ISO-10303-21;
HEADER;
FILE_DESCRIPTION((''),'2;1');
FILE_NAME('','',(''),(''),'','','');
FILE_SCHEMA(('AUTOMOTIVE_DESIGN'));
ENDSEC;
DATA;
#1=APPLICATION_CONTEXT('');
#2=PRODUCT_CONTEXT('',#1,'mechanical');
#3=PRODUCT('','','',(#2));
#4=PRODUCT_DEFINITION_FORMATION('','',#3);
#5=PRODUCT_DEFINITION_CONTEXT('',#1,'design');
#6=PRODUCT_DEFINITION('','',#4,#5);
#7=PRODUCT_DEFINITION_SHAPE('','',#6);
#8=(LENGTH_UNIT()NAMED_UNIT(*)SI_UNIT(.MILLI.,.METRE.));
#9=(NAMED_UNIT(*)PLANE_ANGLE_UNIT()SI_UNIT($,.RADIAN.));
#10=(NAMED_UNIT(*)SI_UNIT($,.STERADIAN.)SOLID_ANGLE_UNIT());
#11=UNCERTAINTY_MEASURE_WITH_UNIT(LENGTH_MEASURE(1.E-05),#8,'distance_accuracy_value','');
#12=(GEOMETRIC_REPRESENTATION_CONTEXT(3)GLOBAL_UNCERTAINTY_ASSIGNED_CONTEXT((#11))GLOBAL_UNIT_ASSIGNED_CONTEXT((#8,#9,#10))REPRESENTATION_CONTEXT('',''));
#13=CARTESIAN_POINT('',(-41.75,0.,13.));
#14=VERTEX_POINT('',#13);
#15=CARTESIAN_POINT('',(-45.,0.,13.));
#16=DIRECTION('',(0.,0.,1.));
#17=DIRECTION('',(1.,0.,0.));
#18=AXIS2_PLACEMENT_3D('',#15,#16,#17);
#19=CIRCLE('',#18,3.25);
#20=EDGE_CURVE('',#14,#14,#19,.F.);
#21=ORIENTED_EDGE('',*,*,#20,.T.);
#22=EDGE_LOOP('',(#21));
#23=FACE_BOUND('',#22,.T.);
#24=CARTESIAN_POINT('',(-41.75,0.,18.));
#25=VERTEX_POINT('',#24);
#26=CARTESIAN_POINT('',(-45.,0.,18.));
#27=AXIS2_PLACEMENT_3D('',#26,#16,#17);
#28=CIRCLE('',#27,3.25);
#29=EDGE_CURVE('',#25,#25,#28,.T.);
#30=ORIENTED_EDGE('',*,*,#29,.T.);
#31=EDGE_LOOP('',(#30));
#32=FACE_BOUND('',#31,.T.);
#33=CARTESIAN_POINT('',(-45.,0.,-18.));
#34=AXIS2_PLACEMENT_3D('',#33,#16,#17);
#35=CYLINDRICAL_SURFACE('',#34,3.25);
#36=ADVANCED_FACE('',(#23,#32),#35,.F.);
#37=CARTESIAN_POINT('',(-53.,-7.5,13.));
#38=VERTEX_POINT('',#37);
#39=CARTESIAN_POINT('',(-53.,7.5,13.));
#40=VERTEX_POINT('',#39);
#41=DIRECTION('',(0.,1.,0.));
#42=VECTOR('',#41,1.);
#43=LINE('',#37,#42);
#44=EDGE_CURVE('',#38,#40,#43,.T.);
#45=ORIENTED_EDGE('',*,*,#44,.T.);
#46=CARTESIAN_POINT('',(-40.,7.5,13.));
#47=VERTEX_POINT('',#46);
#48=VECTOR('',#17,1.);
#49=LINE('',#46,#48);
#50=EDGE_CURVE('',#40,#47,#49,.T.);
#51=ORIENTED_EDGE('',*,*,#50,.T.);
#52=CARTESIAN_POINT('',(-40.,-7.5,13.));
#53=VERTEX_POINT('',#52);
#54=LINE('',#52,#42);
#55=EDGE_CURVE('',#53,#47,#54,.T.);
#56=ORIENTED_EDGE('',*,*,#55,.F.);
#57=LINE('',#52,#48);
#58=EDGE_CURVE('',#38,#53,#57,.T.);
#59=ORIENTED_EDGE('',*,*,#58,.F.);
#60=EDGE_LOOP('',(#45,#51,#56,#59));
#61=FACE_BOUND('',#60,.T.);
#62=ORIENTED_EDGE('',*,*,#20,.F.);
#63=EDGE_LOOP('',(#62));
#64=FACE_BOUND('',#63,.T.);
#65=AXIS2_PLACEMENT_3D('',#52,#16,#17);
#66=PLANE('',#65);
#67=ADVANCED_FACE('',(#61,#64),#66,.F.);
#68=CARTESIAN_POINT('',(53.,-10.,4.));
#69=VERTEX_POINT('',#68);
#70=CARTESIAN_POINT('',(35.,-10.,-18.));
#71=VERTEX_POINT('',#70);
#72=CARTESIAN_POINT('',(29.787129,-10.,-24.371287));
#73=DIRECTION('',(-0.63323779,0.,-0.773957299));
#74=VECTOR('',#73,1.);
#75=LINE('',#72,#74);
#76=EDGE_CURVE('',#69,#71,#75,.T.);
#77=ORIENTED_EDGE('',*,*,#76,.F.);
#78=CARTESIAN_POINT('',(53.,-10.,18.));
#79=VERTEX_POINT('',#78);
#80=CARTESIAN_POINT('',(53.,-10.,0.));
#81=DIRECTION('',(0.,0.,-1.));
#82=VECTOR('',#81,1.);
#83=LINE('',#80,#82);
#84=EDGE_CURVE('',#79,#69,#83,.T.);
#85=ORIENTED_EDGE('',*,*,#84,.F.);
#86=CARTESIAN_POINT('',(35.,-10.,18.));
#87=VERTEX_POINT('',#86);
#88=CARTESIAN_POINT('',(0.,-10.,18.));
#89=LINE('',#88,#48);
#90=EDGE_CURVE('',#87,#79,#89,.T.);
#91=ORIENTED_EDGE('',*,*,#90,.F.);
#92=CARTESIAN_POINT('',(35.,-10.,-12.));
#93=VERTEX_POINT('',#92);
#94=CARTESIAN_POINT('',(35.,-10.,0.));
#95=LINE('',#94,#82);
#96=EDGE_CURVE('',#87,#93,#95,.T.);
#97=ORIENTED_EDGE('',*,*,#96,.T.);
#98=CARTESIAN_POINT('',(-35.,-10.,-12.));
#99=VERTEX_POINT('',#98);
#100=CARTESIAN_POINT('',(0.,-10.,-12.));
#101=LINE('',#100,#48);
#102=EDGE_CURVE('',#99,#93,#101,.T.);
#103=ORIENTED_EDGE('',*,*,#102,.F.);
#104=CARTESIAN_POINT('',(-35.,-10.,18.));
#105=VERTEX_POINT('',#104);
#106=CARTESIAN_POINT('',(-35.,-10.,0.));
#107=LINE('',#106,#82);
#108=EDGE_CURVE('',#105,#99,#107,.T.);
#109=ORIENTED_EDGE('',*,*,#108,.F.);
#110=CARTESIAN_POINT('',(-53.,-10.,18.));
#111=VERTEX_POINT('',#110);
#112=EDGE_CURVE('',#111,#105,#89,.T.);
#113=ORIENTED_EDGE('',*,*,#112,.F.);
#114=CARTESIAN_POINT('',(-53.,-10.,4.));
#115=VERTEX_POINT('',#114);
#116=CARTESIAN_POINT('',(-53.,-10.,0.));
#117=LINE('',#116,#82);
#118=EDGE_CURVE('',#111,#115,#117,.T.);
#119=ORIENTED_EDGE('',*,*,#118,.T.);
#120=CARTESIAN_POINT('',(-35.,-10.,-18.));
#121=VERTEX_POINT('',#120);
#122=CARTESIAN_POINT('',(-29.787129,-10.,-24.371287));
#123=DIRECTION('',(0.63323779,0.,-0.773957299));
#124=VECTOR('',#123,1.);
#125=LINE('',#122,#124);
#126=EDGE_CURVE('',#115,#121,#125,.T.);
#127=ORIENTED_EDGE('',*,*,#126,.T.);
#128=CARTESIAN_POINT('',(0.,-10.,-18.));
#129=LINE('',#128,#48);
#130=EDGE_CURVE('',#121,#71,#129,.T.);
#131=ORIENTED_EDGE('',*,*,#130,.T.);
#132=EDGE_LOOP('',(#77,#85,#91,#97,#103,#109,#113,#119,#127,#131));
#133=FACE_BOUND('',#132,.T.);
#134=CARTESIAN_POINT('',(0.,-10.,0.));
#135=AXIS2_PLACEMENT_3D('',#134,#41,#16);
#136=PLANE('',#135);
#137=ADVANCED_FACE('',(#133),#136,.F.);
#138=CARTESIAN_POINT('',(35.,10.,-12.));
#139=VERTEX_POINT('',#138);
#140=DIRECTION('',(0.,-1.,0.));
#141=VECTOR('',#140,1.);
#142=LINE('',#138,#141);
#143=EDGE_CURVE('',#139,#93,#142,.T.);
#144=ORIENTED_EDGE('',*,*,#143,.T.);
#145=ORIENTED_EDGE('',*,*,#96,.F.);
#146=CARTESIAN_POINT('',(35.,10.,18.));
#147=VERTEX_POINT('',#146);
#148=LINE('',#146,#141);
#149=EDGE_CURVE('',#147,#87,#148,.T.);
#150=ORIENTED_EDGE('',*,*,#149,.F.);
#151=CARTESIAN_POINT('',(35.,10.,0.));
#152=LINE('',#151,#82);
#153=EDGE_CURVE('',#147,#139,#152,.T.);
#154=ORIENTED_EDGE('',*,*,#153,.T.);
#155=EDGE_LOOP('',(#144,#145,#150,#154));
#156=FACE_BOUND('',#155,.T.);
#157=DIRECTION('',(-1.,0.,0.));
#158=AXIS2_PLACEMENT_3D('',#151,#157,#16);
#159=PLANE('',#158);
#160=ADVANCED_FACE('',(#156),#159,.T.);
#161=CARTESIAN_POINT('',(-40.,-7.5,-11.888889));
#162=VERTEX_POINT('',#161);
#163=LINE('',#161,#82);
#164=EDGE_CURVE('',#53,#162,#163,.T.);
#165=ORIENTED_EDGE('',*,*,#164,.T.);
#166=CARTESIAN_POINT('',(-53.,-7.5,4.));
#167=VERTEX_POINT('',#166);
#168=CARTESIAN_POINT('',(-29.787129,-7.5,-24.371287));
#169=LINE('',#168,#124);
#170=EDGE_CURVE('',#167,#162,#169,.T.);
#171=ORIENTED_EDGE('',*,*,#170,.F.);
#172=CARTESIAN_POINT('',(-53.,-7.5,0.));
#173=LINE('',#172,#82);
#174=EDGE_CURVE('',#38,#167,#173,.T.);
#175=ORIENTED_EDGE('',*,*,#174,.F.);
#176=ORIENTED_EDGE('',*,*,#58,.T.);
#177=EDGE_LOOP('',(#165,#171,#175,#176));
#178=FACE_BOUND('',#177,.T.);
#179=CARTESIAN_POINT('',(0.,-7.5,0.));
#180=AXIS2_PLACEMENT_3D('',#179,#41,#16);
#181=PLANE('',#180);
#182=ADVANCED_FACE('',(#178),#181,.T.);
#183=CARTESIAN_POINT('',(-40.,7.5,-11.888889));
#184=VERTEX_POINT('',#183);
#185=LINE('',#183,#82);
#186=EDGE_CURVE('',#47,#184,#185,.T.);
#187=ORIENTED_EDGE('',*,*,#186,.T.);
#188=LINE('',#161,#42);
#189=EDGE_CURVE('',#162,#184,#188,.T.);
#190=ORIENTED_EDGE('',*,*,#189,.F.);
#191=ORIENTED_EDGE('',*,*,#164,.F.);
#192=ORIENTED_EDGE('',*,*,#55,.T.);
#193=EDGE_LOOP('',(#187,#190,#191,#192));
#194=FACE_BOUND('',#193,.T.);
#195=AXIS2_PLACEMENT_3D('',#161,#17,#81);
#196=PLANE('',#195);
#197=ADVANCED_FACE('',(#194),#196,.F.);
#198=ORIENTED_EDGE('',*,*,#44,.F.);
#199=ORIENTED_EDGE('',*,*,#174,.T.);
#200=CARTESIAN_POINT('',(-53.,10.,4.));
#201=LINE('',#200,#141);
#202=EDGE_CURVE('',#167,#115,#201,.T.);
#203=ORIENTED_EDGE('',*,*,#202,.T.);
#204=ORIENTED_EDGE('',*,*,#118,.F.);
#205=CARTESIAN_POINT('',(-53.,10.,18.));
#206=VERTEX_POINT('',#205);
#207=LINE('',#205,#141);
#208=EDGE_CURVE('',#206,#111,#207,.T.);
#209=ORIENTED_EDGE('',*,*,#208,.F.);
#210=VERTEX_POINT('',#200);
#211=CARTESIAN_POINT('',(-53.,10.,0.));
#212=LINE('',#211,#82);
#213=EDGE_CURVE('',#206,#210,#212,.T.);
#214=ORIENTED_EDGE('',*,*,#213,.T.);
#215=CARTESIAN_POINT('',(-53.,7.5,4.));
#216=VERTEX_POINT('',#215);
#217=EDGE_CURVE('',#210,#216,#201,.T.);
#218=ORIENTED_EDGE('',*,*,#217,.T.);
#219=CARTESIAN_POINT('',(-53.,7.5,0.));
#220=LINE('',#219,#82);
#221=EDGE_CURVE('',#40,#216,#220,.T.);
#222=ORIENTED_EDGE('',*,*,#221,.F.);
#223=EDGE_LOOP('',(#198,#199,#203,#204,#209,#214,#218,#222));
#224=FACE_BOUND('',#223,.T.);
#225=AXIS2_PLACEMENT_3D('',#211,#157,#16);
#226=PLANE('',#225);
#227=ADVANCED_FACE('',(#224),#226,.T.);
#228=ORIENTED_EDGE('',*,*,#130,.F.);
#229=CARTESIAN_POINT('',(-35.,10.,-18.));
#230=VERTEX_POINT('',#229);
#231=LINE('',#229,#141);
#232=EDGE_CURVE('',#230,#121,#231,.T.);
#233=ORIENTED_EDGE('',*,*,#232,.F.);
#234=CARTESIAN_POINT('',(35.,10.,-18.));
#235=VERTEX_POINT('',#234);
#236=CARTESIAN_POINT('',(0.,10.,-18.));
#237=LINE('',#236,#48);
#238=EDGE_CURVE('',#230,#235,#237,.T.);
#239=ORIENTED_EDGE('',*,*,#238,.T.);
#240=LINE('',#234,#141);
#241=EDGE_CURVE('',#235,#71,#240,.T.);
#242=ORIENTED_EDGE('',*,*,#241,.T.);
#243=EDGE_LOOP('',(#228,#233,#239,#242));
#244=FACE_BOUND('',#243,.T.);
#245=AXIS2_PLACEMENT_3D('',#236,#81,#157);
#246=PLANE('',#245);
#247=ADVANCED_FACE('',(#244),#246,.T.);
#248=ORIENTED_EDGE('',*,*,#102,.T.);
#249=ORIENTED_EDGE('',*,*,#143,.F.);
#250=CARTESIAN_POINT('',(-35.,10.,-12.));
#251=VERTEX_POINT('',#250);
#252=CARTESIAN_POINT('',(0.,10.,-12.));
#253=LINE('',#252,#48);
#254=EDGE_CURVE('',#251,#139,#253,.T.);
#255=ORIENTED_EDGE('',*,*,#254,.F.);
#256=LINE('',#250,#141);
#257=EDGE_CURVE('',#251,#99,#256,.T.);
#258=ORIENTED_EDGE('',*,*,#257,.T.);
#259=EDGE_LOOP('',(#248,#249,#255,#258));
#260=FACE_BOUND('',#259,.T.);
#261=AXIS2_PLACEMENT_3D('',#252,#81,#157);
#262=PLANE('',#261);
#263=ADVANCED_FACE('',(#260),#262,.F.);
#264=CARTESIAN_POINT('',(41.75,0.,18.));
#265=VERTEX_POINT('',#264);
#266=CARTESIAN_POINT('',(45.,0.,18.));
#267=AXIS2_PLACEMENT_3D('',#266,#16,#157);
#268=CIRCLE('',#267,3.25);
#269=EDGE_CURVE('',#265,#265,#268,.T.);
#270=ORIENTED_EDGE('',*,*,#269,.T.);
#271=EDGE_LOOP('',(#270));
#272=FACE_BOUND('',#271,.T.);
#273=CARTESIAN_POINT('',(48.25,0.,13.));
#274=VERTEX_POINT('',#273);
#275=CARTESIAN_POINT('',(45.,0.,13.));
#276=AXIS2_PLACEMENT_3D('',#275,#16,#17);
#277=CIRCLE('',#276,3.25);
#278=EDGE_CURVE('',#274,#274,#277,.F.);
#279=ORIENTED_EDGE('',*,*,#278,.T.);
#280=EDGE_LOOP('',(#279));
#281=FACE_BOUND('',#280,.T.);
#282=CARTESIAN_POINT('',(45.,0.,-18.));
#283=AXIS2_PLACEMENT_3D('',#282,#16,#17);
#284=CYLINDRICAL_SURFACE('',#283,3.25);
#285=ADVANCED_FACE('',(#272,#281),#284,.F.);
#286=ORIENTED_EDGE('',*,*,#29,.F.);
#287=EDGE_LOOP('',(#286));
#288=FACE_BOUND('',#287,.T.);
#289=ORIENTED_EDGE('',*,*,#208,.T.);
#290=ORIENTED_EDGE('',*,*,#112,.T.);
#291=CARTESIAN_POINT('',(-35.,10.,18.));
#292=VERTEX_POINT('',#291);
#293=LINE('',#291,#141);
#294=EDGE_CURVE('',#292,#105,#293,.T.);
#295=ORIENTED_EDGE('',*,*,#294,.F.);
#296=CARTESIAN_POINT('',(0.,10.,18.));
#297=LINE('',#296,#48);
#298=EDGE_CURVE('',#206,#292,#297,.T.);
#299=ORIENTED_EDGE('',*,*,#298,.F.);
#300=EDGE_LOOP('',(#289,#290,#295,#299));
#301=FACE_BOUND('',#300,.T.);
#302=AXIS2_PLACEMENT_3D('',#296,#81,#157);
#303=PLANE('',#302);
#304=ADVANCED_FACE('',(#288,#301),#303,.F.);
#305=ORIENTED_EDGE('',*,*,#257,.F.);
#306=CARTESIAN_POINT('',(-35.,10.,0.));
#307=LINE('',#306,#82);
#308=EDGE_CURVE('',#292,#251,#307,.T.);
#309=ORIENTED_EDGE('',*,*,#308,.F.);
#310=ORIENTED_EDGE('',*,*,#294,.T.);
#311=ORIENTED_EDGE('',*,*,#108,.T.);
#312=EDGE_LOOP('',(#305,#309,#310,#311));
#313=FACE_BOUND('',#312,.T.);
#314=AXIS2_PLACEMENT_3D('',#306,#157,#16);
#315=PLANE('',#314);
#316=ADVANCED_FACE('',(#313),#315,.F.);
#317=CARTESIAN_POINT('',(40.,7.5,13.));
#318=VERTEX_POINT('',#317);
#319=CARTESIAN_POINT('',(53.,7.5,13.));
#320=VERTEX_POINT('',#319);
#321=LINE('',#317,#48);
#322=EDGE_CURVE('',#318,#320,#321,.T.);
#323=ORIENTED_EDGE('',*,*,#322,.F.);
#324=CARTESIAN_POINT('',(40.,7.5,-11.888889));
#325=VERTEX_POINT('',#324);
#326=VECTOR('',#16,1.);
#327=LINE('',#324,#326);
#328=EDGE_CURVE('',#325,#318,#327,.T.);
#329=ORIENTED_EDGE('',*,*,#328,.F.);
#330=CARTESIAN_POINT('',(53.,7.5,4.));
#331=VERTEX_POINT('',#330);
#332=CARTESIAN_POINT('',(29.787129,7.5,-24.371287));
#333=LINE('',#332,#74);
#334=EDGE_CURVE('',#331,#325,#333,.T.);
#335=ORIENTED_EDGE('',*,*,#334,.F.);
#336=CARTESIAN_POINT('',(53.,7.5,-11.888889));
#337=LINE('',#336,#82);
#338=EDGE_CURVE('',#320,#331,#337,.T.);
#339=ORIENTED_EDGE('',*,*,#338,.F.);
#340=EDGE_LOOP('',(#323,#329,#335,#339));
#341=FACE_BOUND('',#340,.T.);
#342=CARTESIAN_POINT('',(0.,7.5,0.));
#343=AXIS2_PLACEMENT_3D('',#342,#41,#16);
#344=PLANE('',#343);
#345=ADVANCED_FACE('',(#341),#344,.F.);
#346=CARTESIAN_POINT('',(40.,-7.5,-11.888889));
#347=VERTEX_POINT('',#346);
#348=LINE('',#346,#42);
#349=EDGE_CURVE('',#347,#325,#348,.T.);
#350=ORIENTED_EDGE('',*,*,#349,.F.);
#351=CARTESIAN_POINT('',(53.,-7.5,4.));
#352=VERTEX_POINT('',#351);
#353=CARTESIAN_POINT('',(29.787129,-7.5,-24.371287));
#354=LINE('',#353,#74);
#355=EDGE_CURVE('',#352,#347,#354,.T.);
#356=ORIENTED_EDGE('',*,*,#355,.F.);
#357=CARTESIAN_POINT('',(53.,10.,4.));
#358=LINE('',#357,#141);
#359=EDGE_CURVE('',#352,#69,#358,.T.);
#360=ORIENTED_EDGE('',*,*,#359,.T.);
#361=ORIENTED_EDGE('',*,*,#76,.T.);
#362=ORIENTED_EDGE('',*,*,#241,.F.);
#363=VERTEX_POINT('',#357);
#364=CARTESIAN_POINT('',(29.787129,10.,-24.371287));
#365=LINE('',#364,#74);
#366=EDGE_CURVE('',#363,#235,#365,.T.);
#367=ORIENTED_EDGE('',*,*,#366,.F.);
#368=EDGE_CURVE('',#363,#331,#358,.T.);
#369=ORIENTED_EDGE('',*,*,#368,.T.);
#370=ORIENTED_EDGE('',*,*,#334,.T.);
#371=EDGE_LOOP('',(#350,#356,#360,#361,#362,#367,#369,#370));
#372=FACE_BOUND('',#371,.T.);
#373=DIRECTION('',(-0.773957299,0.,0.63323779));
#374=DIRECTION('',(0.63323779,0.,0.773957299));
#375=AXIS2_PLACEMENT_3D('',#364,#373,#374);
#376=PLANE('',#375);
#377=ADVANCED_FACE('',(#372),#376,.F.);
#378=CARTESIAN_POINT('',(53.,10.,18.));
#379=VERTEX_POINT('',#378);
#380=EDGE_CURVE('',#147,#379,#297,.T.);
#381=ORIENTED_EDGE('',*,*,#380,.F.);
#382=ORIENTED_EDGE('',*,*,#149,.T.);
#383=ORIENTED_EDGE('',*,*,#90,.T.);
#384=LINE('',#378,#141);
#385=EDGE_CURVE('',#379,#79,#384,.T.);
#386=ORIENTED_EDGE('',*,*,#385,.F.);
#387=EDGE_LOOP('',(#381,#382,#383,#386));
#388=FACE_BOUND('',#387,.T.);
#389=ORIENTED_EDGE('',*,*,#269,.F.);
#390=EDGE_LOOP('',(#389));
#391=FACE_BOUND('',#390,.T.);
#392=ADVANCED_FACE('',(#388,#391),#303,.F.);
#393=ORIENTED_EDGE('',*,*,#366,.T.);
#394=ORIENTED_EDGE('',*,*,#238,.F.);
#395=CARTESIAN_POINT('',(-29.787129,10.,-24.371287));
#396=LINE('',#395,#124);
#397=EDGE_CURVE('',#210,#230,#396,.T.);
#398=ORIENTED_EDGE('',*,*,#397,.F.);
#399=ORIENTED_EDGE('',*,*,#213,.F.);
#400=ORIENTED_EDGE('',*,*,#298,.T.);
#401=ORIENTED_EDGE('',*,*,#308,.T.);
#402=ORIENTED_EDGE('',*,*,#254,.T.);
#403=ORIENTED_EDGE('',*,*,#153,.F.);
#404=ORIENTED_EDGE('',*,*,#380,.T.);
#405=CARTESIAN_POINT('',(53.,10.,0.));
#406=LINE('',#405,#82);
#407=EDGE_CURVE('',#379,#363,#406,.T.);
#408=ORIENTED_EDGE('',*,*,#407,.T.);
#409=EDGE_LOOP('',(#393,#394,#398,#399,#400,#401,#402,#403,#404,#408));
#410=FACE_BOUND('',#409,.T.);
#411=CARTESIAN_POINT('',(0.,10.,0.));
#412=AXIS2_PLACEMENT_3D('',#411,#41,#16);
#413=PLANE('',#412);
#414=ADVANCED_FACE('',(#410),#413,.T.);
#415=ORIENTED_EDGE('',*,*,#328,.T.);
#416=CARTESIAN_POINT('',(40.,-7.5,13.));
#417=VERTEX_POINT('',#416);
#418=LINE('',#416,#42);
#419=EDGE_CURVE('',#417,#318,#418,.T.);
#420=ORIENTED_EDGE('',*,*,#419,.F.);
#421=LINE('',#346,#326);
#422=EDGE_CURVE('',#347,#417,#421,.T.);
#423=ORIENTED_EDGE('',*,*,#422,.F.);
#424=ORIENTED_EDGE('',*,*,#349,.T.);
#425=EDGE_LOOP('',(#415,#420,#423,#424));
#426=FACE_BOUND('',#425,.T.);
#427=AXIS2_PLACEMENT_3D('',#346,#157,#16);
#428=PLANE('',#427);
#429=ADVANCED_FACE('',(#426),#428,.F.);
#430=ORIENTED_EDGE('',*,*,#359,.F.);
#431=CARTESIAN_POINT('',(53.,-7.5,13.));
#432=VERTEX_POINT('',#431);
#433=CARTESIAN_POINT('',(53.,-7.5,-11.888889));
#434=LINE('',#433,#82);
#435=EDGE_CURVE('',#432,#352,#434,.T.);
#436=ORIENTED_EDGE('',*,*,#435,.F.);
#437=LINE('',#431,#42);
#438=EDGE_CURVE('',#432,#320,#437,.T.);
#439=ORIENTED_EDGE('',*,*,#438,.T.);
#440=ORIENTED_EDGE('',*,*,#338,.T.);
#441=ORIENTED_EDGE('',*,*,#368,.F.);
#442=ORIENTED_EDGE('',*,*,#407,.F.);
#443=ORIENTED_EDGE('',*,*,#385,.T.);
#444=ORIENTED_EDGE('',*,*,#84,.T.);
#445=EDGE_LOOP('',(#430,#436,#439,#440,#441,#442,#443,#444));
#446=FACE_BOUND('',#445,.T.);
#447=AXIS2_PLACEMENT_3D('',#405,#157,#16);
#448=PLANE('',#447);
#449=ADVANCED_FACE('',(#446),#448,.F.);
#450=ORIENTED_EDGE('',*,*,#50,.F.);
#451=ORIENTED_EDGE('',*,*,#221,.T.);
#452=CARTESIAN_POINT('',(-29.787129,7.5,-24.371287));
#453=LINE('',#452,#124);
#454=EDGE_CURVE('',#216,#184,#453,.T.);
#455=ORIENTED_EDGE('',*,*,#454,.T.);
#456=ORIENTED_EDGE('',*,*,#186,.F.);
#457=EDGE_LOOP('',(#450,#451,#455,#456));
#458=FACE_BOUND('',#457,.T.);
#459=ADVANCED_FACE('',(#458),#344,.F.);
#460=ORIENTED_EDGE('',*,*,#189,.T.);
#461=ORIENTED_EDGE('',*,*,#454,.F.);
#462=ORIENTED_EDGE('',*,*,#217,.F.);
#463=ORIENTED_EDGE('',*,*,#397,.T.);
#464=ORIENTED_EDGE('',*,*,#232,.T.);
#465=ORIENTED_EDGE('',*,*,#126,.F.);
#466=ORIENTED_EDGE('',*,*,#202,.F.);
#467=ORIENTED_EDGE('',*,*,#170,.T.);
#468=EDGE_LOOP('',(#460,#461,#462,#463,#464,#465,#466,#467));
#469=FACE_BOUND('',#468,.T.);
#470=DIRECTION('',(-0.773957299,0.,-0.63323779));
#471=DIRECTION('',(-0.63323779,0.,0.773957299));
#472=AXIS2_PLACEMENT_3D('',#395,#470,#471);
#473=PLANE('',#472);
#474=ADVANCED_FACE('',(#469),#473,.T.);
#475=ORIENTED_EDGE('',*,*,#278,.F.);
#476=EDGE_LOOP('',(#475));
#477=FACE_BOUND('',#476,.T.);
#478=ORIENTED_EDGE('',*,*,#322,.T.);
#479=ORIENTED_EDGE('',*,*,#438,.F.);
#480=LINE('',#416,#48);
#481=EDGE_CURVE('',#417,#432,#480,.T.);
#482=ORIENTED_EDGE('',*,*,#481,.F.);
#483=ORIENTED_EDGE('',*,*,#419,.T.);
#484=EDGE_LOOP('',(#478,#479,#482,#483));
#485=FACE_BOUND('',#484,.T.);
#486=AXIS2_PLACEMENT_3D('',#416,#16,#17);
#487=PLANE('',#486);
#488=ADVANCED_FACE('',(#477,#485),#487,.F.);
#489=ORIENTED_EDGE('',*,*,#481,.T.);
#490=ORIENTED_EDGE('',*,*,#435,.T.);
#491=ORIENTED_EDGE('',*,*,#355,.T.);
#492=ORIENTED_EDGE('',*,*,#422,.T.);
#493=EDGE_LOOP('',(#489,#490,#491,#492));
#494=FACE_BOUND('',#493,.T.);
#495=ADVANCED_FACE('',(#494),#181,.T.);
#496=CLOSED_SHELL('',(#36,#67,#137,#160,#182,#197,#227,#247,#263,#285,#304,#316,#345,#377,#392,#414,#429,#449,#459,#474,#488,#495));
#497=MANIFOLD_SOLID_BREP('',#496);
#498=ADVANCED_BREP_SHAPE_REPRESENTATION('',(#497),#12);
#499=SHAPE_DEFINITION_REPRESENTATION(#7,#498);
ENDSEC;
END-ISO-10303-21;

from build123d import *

# Parameters (mm, degrees)
EXTRUDE_1_DEPTH     = 10
SKETCH_2_R          = 3.25
CUT_EXTRUDE_1_DEPTH = 65.845971347
SKETCH_4_W          = 13
SKETCH_4_H          = 24.888888889
CUT_EXTRUDE_2_DEPTH = 7.5


with BuildPart() as part:
    # 草图1 → 凸台-拉伸1 (new, symmetric)
    with BuildSketch(Plane(origin=(0, 0, 0), x_dir=(1, 0, 0), z_dir=(0, 1, 0))):
        Polygon((-53, -18), (-35, -18), (-35, 12), (35, 12), (35, -18), (53, -18), (53, -4), (35, 18), (-35, 18), (-53, -4), align=None)
    extrude(amount=EXTRUDE_1_DEPTH, both=True)

    # 草图2 → 切除-拉伸1 (cut, through all)
    with BuildSketch(Plane.XY.offset(18)):
        with Locations((-45, 0)):
            Circle(SKETCH_2_R)
        with Locations((45, 0)):
            Circle(SKETCH_2_R)
    extrude(amount=-CUT_EXTRUDE_1_DEPTH, mode=Mode.SUBTRACT)

    # 草图4 → 切除-拉伸2 (cut, symmetric)
    with BuildSketch(Plane(origin=(0, 0, 0), x_dir=(1, 0, 0), z_dir=(0, 1, 0))):
        with Locations((46.5, -0.555555555)):
            Rectangle(SKETCH_4_W, SKETCH_4_H)
        with Locations((-46.5, -0.555555555)):
            Rectangle(SKETCH_4_W, SKETCH_4_H)
    extrude(amount=CUT_EXTRUDE_2_DEPTH, both=True, mode=Mode.SUBTRACT)


solid = part.part
